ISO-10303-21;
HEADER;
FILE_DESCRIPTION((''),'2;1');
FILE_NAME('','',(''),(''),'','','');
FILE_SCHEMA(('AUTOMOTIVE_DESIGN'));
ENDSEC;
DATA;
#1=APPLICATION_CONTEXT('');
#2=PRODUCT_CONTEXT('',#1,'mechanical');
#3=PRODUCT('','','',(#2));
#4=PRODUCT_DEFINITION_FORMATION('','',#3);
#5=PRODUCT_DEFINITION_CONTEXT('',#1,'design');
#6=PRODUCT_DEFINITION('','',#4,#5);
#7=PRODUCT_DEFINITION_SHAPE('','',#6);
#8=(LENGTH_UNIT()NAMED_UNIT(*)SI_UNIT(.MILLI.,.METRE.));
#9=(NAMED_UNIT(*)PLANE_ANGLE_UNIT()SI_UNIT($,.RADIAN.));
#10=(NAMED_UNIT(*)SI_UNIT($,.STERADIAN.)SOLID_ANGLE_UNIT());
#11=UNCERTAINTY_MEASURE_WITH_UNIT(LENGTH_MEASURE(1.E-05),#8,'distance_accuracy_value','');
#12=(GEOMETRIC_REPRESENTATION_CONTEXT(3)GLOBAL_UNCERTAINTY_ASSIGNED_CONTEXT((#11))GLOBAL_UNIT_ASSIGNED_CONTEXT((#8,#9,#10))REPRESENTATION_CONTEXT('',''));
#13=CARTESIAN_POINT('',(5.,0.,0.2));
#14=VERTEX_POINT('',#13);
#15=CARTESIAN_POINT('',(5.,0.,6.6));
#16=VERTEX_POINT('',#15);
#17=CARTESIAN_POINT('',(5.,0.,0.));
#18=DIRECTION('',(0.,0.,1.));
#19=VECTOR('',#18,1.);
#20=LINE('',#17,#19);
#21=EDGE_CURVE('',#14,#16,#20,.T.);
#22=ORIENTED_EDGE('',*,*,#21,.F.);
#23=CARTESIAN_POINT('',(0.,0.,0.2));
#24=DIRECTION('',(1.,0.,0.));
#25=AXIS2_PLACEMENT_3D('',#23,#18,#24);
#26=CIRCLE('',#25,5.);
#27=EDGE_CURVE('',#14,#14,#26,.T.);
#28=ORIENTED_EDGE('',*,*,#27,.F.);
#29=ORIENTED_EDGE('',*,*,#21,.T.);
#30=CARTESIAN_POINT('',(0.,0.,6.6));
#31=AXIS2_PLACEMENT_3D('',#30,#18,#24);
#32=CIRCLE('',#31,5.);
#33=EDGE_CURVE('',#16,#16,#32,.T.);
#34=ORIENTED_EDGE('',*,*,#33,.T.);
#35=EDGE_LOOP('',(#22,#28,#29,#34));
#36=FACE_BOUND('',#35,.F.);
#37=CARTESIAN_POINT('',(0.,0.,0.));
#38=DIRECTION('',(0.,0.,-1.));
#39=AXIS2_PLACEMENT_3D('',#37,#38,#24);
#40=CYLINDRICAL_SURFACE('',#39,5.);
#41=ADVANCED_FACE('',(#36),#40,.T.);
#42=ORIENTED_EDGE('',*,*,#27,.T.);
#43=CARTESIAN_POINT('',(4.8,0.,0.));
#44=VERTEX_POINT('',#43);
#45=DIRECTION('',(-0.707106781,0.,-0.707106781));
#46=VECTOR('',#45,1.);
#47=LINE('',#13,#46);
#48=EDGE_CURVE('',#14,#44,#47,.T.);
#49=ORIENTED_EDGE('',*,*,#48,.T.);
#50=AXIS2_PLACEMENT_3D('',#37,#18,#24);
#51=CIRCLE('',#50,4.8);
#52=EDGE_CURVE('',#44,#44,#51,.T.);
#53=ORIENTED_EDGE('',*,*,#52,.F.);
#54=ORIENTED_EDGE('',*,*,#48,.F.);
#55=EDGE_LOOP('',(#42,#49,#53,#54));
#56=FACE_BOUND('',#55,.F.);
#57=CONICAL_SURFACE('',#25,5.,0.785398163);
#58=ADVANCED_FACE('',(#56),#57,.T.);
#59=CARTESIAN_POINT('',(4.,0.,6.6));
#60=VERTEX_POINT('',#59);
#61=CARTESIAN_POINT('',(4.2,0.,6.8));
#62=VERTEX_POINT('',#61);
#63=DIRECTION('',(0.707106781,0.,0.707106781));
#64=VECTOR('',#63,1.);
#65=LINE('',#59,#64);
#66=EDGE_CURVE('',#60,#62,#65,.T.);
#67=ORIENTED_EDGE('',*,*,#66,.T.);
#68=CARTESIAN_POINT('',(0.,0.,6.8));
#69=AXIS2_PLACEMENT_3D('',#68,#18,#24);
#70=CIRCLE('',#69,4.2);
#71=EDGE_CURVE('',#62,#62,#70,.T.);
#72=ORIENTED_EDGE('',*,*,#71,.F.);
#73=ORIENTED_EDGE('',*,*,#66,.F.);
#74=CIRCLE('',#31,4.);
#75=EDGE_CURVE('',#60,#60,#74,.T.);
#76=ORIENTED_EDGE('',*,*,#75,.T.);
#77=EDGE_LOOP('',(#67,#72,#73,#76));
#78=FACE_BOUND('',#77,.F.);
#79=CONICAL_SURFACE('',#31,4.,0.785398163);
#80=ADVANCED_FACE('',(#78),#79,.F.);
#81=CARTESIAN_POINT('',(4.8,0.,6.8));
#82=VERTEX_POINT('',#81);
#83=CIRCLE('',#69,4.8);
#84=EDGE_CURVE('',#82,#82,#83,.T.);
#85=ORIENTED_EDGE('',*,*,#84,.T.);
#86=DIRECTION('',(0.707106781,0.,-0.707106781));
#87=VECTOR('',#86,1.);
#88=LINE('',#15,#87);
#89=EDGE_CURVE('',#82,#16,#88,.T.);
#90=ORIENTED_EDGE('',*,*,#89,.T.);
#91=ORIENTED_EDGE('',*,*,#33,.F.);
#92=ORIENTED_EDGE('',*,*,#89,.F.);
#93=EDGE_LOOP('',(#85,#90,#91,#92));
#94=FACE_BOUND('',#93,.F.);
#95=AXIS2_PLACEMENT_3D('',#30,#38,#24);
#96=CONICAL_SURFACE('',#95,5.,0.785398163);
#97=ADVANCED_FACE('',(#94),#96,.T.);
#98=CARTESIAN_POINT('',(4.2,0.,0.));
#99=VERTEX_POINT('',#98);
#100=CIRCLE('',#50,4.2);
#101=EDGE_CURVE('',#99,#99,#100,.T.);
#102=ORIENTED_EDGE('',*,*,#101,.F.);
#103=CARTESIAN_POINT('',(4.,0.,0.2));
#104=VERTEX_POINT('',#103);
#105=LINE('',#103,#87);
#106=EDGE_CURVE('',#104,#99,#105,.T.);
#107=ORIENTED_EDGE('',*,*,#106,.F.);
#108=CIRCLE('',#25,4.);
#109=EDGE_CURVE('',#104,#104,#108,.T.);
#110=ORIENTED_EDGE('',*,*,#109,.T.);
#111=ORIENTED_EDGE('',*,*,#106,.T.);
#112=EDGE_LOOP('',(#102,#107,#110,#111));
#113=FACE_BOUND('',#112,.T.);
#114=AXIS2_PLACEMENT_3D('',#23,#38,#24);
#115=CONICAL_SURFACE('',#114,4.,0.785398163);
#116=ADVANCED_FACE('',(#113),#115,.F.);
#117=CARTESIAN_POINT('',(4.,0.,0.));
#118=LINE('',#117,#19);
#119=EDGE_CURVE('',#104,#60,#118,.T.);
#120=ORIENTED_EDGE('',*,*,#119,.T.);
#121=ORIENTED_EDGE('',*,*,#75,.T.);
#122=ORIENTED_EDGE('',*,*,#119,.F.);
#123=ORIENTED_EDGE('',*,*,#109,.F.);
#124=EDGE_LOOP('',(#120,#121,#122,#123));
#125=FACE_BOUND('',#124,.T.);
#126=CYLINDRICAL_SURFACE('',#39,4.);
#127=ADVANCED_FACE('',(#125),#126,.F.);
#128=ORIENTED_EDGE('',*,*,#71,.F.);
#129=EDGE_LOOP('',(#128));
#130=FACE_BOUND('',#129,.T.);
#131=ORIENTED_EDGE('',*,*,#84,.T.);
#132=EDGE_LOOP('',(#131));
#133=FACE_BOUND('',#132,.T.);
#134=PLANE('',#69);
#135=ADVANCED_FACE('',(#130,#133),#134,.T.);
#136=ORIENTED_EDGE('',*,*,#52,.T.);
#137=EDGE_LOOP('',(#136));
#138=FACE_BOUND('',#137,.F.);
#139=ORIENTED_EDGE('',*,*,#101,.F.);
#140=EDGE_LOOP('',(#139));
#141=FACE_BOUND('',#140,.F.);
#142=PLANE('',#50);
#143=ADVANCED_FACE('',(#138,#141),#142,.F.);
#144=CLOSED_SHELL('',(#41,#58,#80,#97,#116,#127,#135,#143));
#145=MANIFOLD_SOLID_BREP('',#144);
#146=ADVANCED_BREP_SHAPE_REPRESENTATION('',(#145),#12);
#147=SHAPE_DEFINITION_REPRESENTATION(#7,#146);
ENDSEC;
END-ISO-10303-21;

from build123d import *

# Parameters (mm, degrees)
F0_R     = 5
F0_R_2   = 4
F1_DEPTH = 6.8
F2_SIZE  = 0.2
F3_SIZE  = 0.2
F4_SIZE  = 0.2


with BuildPart() as f1:
    # F0 (on Top) → F1 (new body)
    with BuildSketch(Plane.XY):
        Circle(F0_R)
        Circle(F0_R_2, mode=Mode.SUBTRACT)
    extrude(amount=F1_DEPTH)

    # F2
    f2_edges = [f1.edges().sort_by_distance(p)[0] for p in [
        (-4, 0, 6.8),
    ]]
    chamfer(f2_edges, length=F2_SIZE)

    # F3
    f3_edges = [f1.edges().sort_by_distance(p)[0] for p in [
        (-5, 0, 6.8),
    ]]
    chamfer(f3_edges, length=F3_SIZE)

    # F4
    f4_edges = [f1.edges().sort_by_distance(p)[0] for p in [
        (-5, 0, 0),
        (-4, 0, 0),
    ]]
    chamfer(f4_edges, length=F4_SIZE)


solid = f1.part
